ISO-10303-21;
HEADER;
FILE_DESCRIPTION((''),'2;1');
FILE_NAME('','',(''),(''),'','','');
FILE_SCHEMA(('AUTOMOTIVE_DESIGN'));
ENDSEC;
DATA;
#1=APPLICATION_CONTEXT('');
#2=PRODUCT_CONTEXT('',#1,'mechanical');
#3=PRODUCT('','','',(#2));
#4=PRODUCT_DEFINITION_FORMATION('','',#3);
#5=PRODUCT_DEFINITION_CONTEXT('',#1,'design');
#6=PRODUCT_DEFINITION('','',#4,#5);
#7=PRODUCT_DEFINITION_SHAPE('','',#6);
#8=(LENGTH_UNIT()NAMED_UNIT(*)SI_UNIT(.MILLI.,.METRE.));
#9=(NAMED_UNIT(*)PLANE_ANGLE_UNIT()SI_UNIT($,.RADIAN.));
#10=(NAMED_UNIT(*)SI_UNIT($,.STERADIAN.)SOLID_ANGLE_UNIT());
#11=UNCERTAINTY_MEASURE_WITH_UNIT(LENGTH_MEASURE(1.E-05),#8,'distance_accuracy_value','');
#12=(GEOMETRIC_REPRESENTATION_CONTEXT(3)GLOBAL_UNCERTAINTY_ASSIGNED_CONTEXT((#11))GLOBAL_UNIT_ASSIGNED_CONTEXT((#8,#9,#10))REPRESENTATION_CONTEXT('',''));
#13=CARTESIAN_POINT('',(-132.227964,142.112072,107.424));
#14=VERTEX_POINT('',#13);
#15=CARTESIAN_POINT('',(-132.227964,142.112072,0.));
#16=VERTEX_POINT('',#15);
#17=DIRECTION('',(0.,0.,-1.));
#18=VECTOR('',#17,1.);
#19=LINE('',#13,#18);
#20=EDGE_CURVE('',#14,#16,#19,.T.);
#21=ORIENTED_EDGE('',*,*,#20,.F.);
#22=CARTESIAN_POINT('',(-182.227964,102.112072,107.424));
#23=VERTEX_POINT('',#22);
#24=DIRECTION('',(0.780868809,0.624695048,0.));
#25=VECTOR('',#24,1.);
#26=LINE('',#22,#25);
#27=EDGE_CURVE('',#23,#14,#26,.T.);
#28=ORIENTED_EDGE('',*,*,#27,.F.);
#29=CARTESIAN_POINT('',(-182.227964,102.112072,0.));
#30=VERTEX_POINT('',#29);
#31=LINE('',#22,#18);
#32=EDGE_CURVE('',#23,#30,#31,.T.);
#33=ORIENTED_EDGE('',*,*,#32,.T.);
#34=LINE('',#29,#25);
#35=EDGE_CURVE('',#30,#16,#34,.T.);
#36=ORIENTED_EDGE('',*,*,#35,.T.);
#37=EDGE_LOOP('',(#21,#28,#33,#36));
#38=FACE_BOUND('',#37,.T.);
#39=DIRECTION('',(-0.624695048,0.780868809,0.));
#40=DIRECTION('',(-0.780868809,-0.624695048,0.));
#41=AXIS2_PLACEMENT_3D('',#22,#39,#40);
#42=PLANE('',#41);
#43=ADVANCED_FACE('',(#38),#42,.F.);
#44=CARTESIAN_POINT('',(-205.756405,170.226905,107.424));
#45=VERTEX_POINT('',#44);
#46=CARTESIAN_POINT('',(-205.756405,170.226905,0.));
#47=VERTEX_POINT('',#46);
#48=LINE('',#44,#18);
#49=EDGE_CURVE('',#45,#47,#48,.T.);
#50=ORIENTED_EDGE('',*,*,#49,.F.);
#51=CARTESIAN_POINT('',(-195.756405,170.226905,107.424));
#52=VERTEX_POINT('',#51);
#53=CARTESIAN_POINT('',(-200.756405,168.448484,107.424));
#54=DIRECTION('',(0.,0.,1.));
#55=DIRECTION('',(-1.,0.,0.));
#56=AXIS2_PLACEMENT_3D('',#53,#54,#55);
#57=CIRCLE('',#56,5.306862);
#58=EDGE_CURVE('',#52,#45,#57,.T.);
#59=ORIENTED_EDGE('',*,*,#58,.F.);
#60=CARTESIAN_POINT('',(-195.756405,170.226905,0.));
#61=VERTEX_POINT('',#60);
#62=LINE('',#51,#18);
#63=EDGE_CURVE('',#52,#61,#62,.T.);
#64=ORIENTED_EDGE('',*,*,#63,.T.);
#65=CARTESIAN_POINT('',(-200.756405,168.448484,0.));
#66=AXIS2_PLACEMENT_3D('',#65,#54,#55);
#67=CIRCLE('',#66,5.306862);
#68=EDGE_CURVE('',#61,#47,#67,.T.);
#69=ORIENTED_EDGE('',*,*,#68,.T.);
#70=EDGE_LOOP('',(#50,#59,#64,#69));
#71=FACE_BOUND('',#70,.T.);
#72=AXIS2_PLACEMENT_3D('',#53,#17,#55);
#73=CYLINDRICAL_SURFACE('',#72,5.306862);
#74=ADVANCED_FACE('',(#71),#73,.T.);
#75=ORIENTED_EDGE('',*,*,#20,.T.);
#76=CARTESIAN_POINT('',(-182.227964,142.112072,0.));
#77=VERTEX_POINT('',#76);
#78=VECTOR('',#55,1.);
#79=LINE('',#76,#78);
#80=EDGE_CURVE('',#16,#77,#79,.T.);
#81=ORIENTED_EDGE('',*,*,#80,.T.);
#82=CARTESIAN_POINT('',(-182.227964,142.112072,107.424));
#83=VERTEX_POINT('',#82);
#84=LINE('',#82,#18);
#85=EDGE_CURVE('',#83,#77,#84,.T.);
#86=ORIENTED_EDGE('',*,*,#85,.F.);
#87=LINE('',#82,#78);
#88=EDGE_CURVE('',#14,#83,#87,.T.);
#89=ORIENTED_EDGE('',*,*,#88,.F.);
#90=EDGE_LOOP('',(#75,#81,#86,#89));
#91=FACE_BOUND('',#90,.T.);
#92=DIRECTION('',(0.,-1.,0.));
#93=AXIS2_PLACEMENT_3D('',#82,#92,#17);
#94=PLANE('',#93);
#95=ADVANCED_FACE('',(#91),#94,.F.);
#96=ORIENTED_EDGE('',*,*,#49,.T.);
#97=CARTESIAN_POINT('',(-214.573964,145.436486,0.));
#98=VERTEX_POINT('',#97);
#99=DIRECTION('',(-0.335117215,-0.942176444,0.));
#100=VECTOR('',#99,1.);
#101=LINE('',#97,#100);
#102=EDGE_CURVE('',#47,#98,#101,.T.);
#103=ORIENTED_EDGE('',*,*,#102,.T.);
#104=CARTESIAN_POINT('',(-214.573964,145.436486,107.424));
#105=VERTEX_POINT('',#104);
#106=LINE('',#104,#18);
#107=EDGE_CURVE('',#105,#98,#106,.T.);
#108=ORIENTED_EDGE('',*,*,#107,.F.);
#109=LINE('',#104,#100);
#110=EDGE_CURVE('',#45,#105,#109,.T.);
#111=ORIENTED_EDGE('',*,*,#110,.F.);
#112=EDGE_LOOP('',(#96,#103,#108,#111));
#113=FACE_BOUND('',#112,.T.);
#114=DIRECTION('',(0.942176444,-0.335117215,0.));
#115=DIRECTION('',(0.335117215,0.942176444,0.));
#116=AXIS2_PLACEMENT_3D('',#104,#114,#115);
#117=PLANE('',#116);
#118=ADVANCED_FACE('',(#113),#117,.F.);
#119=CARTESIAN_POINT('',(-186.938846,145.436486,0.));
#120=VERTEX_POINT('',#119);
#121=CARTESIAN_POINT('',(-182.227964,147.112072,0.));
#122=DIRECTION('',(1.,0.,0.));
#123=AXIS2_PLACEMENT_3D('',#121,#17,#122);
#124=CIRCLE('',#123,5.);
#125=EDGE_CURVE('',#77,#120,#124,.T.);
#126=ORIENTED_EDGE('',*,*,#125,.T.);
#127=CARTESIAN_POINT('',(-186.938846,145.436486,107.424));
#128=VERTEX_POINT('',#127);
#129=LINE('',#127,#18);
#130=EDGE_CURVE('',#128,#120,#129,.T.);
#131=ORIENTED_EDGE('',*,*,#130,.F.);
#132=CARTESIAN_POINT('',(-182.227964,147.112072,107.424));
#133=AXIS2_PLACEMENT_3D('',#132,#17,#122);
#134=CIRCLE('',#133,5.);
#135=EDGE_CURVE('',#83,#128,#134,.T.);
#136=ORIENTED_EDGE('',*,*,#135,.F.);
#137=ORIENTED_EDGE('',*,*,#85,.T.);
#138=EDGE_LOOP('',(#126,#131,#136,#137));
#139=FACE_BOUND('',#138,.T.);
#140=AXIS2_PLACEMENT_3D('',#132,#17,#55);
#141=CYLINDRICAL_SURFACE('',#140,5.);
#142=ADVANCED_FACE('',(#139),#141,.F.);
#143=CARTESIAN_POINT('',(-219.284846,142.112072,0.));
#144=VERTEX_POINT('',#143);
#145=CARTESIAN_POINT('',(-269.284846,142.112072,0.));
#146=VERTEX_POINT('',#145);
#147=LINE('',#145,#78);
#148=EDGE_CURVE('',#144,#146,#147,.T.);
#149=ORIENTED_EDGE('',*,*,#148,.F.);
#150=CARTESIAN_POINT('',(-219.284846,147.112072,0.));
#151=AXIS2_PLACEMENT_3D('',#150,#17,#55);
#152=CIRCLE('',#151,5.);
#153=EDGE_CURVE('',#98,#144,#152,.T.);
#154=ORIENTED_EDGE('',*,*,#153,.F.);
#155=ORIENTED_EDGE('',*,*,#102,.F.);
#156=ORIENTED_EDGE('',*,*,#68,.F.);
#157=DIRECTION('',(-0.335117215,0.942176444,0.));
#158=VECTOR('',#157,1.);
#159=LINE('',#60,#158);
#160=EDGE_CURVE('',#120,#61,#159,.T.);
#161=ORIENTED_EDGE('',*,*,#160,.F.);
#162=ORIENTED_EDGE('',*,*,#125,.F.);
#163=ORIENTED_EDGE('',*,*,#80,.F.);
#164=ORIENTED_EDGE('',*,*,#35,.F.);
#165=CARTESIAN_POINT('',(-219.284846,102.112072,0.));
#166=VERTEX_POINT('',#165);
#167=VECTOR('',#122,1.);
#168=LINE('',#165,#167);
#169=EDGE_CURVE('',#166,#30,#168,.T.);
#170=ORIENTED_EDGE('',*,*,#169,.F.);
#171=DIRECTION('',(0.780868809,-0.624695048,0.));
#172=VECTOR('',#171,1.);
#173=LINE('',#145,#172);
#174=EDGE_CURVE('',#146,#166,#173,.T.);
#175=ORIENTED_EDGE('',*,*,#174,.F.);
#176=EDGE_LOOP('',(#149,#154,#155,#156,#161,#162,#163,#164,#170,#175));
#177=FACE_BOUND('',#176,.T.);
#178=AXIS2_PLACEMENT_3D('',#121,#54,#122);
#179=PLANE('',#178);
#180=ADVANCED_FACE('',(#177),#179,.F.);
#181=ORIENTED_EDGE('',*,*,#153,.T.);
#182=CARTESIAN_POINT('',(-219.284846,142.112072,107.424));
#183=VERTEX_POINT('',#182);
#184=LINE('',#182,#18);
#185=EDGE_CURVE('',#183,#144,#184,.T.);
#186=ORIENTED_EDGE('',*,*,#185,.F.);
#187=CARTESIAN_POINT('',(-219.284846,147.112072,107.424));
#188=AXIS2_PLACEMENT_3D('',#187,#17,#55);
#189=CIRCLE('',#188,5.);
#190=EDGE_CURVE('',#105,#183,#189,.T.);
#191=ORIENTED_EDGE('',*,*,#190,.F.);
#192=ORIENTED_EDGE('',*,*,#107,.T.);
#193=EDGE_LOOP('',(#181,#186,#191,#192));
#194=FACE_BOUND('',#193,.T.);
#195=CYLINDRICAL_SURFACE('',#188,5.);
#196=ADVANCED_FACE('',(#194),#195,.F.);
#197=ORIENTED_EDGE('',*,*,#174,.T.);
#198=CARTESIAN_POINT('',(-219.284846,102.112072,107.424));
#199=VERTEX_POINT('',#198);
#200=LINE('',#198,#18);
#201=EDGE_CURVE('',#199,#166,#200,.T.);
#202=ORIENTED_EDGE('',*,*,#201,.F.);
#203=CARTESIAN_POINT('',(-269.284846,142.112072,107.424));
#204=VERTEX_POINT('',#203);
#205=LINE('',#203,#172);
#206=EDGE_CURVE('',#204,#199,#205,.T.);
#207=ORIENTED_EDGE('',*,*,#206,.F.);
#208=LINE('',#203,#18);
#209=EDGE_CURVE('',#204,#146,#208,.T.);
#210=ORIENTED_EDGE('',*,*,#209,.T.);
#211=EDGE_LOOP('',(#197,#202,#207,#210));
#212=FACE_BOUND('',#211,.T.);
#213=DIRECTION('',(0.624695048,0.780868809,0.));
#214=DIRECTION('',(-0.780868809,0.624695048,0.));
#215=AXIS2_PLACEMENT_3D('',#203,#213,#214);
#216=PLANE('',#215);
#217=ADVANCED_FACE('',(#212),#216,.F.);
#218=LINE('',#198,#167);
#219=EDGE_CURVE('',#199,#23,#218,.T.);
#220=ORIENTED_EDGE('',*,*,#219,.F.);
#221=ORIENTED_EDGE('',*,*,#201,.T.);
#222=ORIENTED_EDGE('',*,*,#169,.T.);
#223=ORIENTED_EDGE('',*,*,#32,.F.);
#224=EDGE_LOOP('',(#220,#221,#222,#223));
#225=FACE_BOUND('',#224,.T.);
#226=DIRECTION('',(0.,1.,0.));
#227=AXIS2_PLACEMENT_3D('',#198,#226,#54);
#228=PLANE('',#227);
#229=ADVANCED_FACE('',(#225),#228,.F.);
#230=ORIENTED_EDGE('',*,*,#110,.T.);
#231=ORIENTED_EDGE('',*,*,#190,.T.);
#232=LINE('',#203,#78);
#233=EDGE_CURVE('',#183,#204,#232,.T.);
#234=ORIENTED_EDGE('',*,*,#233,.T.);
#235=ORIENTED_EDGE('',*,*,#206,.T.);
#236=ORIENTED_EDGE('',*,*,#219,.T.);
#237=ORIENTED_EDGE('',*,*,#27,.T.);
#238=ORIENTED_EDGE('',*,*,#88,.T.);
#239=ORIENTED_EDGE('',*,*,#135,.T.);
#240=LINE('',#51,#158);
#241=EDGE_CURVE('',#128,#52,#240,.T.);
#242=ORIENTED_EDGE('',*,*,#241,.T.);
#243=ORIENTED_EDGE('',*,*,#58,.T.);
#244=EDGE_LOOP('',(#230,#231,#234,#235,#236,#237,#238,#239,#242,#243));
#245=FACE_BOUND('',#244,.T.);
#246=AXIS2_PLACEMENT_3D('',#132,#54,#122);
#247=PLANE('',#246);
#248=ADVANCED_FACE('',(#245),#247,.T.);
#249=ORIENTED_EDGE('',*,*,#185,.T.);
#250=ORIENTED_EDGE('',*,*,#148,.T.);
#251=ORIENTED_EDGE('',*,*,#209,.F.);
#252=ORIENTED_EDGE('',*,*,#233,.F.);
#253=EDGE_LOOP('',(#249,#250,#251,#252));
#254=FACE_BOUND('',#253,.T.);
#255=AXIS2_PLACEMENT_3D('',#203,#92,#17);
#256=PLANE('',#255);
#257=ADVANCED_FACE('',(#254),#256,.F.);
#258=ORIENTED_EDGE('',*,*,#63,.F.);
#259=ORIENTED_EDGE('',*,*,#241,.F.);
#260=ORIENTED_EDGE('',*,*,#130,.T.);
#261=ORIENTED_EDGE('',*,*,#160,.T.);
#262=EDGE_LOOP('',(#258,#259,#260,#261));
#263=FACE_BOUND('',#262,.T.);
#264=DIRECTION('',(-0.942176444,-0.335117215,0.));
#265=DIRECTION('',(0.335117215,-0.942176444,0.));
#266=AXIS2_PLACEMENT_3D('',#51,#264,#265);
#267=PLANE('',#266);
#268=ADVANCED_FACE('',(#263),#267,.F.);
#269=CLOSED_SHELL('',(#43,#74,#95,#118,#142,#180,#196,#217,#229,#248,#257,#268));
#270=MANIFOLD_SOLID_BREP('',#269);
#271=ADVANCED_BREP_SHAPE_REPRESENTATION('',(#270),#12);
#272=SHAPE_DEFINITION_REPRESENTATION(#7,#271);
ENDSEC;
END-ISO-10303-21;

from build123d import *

# Parameters (mm, degrees)
BOSS_EXTRUDE1_DEPTH = 107.424


with BuildPart() as part:
    # Sketch2 → Boss-Extrude1 (new body)
    with BuildSketch(Plane.XY):
        with BuildLine():
            Line((-269.284845729, 142.112072029), (-219.284845729, 142.112072029))
            ThreePointArc((-219.284845729, 142.112072029), (-216.401959188, 143.026859037), (-214.573963508, 145.436485952))
            Line((-214.573963508, 145.436485952), (-205.756404805, 170.226904714))
            ThreePointArc((-205.756404805, 170.226904714), (-200.756404805, 173.755345637), (-195.756404805, 170.226904714))
            Line((-195.756404805, 170.226904714), (-186.938846102, 145.436485952))
            ThreePointArc((-186.938846102, 145.436485952), (-185.110850422, 143.026859037), (-182.227963882, 142.112072029))
            Line((-182.227963882, 142.112072029), (-132.227963882, 142.112072029))
            Line((-132.227963882, 142.112072029), (-182.227963882, 102.112072029))
            Line((-182.227963882, 102.112072029), (-219.284845729, 102.112072029))
            Line((-219.284845729, 102.112072029), (-269.284845729, 142.112072029))
        make_face()
    extrude(amount=BOSS_EXTRUDE1_DEPTH)


solid = part.part
